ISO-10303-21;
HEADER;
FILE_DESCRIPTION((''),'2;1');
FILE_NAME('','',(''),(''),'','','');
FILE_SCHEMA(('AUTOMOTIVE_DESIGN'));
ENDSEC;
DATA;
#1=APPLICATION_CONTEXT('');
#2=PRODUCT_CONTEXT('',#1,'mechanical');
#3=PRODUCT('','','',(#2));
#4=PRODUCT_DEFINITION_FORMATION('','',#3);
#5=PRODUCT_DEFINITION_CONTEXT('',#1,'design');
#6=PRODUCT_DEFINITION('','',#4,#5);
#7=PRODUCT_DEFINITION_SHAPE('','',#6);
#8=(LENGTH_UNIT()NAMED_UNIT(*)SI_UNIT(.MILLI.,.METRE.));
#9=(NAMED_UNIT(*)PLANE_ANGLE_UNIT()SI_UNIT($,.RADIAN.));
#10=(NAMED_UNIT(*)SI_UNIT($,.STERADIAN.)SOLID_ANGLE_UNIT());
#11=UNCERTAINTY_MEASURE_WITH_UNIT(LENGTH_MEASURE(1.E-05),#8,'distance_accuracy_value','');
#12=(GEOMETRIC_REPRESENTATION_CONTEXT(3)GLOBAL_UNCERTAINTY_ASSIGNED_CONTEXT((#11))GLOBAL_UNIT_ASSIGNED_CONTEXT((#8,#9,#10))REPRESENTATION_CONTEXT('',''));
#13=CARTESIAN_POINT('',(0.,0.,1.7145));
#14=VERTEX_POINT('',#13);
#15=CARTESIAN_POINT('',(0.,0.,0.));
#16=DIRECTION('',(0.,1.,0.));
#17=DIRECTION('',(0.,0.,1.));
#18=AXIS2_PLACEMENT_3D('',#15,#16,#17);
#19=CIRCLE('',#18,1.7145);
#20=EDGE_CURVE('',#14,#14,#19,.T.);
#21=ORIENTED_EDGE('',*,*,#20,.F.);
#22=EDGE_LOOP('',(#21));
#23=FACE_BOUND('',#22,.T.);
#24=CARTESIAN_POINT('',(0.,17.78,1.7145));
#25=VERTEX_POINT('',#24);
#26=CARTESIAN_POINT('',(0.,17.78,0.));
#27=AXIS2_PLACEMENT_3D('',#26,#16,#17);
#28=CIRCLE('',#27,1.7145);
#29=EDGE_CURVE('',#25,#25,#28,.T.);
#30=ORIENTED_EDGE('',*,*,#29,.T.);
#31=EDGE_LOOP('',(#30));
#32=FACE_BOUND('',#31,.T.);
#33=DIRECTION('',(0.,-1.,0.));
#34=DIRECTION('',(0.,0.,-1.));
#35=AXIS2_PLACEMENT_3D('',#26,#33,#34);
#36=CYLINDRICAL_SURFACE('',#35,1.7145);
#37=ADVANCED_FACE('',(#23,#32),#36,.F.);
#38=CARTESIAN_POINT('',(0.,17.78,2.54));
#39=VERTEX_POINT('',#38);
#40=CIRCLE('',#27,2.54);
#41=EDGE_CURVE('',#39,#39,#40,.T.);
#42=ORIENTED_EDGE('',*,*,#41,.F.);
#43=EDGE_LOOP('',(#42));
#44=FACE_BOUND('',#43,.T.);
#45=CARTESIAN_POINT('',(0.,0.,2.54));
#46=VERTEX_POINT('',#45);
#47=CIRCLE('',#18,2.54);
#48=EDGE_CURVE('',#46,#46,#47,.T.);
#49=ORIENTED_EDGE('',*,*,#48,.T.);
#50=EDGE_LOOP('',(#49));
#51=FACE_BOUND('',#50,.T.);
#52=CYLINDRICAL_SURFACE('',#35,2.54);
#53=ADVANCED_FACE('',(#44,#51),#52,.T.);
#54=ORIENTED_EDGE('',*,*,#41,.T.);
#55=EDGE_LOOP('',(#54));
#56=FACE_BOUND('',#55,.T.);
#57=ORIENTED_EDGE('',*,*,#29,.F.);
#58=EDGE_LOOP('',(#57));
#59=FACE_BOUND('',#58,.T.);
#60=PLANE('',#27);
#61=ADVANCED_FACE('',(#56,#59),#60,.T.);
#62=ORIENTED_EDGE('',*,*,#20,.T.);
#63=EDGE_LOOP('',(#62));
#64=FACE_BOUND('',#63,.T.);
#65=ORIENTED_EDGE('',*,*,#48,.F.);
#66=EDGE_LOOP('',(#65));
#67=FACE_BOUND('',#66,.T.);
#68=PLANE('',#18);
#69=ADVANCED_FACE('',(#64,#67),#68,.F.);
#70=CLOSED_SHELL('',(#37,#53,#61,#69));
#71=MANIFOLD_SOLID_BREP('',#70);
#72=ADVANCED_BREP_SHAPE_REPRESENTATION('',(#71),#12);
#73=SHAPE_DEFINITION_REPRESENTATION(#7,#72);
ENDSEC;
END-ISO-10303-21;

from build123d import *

# Parameters (mm, degrees)
SKETCH1_R           = 2.54
SKETCH1_R_2         = 1.7145
BOSS_EXTRUDE1_DEPTH = 17.78


with BuildPart() as part:
    # Sketch1 → Boss-Extrude1 (new body)
    with BuildSketch(Plane(origin=(0, 0, 0), x_dir=(1, 0, 0), z_dir=(0, 1, 0))):
        Circle(SKETCH1_R)
        Circle(SKETCH1_R_2, mode=Mode.SUBTRACT)
    extrude(amount=BOSS_EXTRUDE1_DEPTH)


solid = part.part
